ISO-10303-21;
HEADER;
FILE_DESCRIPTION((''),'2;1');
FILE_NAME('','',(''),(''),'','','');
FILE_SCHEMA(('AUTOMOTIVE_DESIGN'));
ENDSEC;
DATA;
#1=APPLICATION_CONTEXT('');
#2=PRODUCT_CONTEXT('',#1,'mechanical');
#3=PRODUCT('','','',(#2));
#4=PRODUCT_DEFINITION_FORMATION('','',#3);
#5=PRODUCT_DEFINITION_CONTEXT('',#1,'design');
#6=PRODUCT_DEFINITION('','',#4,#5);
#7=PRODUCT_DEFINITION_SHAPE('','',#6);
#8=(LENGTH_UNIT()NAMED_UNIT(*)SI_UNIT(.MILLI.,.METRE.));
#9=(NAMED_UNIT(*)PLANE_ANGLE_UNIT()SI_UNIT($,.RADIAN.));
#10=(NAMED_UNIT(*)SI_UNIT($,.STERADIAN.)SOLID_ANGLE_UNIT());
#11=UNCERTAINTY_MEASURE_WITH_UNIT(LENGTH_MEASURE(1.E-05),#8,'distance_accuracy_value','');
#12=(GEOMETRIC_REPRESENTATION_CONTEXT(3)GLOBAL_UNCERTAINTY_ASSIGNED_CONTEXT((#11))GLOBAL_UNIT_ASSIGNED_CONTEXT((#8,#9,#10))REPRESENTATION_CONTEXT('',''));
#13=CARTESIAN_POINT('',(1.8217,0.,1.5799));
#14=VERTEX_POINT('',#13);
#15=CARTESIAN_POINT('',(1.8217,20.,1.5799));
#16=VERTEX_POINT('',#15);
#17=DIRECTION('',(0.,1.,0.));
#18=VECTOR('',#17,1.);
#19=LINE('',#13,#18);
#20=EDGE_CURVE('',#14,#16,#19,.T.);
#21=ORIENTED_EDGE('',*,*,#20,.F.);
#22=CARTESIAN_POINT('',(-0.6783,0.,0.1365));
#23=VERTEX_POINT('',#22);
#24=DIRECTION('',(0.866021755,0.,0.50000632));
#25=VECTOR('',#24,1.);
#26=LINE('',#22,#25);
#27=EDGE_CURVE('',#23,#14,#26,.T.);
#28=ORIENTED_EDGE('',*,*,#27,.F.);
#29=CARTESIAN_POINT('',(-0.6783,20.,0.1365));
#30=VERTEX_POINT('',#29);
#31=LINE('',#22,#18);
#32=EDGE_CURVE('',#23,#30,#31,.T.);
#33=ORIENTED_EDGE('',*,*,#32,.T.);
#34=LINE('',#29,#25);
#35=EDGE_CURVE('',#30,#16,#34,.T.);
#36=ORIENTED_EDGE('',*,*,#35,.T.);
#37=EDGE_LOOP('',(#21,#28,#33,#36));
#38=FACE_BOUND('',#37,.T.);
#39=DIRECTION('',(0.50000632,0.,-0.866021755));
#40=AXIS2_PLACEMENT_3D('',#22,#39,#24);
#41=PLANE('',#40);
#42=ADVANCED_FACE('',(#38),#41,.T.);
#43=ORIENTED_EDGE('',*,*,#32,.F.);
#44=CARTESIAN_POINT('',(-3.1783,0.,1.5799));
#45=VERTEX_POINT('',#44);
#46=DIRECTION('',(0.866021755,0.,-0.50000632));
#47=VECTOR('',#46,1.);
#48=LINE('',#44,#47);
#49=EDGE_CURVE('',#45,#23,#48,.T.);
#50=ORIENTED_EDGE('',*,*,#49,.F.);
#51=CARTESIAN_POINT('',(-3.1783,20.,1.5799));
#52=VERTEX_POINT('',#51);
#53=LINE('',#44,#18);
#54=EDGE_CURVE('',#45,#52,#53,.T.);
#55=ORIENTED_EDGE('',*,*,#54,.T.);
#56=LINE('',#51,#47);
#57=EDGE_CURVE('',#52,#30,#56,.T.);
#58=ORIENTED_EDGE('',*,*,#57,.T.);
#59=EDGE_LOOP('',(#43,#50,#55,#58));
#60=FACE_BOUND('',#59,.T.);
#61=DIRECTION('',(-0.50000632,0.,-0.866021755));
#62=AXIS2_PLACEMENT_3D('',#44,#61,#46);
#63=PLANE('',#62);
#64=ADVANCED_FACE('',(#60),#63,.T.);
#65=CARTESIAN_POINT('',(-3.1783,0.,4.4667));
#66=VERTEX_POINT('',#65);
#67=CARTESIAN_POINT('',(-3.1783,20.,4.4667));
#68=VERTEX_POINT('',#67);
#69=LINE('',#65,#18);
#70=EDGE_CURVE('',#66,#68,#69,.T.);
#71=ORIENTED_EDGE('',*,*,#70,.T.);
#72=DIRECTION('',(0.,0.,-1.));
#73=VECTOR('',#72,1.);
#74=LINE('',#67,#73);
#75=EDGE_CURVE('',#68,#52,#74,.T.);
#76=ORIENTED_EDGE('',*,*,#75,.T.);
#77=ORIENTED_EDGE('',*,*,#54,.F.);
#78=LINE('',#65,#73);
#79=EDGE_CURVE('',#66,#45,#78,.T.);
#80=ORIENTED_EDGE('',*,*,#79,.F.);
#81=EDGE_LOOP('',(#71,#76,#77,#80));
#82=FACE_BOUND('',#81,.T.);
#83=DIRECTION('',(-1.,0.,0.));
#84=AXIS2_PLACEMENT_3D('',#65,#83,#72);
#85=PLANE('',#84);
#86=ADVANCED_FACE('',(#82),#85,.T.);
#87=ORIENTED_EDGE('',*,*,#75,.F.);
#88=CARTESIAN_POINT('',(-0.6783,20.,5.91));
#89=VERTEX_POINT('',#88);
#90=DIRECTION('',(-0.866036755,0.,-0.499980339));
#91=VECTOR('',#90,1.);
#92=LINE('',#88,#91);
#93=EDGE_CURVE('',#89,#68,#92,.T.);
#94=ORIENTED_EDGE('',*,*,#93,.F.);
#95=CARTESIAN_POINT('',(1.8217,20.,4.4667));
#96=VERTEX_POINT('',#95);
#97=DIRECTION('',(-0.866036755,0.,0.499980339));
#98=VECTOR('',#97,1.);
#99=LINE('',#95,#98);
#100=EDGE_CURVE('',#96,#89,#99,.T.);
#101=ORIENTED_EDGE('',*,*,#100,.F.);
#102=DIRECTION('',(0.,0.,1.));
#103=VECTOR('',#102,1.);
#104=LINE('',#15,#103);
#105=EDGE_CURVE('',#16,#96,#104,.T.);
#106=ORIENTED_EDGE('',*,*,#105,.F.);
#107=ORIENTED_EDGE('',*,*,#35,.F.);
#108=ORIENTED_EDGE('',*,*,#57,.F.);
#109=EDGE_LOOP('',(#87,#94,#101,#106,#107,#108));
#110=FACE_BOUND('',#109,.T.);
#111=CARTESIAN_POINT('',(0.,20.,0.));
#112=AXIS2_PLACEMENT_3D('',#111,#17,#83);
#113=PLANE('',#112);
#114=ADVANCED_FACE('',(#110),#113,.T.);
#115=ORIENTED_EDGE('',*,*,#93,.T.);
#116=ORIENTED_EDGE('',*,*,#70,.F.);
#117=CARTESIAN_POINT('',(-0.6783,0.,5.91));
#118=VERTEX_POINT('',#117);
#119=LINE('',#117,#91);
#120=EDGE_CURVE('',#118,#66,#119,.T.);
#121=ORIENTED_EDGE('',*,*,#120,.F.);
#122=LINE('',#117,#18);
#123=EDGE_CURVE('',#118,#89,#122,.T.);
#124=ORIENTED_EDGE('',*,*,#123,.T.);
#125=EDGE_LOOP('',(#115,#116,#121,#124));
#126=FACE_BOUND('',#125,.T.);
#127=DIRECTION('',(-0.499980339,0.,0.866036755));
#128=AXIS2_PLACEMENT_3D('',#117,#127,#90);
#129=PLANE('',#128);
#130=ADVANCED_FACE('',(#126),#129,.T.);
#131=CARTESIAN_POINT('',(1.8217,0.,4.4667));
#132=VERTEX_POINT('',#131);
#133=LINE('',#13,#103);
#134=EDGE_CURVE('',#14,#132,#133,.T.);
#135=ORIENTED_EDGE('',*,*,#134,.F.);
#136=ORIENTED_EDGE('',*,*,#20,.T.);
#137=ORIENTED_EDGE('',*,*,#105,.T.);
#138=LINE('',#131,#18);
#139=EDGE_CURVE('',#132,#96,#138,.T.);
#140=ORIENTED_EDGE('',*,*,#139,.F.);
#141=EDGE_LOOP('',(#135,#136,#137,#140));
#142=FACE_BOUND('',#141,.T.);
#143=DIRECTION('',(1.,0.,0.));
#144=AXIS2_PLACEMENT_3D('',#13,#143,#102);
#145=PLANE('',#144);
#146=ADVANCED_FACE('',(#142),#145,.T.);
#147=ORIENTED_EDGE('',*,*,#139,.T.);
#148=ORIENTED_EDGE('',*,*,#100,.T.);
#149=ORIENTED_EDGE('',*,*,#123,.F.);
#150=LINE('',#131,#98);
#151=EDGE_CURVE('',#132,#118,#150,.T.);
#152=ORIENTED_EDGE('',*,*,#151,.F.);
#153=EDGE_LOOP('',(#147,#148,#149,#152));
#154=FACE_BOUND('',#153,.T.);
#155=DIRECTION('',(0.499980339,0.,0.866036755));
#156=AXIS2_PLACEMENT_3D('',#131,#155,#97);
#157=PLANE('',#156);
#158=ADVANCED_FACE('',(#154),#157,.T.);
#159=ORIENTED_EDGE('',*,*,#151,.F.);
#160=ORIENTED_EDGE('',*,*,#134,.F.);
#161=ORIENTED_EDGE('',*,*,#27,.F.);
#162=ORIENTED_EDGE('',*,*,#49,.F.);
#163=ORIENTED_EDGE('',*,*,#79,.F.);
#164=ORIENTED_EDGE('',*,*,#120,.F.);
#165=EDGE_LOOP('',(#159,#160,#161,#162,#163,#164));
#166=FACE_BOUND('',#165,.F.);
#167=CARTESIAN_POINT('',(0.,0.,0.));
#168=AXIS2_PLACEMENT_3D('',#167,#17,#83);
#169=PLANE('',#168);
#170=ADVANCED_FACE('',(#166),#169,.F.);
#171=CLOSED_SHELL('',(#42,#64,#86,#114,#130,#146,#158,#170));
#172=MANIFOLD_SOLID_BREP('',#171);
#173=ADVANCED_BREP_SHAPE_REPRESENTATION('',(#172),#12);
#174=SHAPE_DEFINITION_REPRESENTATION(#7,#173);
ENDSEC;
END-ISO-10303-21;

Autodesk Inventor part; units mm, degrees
ref_plane "YZ Plane" through (0, 0, 0) normal (1, 0, 0) x (0, 1, 0)
ref_plane "XZ Plane" through (0, 0, 0) normal (0, 1, 0) x (-1, 0, 0)
ref_plane "XY Plane" through (0, 0, 0) normal (0, 0, 1) x (1, 0, 0)
sketch "Sketch1" plane through (0, 0, 0) normal (0, 1, 0) x (-1, 0, 0)
  line L0 (0.6783, 0.1365) -> (-1.8217, 1.5799)
  line L1 (-1.8217, 1.5799) -> (-1.8217, 4.4667)
  line L2 (-1.8217, 4.4667) -> (0.6783, 5.91)
  line L3 (0.6783, 5.91) -> (3.1783, 4.4667)
  line L4 (3.1783, 4.4667) -> (3.1783, 1.5799)
  line L5 (3.1783, 1.5799) -> (0.6783, 0.1365)
  point P0 (0, 0)
  point P1 (0.6783, 3.0233)
  dimension "d0" = 5
extrude "Extrusion1" add sketch "Sketch1" along normal blind 20
properties part number "RasPItavt"
